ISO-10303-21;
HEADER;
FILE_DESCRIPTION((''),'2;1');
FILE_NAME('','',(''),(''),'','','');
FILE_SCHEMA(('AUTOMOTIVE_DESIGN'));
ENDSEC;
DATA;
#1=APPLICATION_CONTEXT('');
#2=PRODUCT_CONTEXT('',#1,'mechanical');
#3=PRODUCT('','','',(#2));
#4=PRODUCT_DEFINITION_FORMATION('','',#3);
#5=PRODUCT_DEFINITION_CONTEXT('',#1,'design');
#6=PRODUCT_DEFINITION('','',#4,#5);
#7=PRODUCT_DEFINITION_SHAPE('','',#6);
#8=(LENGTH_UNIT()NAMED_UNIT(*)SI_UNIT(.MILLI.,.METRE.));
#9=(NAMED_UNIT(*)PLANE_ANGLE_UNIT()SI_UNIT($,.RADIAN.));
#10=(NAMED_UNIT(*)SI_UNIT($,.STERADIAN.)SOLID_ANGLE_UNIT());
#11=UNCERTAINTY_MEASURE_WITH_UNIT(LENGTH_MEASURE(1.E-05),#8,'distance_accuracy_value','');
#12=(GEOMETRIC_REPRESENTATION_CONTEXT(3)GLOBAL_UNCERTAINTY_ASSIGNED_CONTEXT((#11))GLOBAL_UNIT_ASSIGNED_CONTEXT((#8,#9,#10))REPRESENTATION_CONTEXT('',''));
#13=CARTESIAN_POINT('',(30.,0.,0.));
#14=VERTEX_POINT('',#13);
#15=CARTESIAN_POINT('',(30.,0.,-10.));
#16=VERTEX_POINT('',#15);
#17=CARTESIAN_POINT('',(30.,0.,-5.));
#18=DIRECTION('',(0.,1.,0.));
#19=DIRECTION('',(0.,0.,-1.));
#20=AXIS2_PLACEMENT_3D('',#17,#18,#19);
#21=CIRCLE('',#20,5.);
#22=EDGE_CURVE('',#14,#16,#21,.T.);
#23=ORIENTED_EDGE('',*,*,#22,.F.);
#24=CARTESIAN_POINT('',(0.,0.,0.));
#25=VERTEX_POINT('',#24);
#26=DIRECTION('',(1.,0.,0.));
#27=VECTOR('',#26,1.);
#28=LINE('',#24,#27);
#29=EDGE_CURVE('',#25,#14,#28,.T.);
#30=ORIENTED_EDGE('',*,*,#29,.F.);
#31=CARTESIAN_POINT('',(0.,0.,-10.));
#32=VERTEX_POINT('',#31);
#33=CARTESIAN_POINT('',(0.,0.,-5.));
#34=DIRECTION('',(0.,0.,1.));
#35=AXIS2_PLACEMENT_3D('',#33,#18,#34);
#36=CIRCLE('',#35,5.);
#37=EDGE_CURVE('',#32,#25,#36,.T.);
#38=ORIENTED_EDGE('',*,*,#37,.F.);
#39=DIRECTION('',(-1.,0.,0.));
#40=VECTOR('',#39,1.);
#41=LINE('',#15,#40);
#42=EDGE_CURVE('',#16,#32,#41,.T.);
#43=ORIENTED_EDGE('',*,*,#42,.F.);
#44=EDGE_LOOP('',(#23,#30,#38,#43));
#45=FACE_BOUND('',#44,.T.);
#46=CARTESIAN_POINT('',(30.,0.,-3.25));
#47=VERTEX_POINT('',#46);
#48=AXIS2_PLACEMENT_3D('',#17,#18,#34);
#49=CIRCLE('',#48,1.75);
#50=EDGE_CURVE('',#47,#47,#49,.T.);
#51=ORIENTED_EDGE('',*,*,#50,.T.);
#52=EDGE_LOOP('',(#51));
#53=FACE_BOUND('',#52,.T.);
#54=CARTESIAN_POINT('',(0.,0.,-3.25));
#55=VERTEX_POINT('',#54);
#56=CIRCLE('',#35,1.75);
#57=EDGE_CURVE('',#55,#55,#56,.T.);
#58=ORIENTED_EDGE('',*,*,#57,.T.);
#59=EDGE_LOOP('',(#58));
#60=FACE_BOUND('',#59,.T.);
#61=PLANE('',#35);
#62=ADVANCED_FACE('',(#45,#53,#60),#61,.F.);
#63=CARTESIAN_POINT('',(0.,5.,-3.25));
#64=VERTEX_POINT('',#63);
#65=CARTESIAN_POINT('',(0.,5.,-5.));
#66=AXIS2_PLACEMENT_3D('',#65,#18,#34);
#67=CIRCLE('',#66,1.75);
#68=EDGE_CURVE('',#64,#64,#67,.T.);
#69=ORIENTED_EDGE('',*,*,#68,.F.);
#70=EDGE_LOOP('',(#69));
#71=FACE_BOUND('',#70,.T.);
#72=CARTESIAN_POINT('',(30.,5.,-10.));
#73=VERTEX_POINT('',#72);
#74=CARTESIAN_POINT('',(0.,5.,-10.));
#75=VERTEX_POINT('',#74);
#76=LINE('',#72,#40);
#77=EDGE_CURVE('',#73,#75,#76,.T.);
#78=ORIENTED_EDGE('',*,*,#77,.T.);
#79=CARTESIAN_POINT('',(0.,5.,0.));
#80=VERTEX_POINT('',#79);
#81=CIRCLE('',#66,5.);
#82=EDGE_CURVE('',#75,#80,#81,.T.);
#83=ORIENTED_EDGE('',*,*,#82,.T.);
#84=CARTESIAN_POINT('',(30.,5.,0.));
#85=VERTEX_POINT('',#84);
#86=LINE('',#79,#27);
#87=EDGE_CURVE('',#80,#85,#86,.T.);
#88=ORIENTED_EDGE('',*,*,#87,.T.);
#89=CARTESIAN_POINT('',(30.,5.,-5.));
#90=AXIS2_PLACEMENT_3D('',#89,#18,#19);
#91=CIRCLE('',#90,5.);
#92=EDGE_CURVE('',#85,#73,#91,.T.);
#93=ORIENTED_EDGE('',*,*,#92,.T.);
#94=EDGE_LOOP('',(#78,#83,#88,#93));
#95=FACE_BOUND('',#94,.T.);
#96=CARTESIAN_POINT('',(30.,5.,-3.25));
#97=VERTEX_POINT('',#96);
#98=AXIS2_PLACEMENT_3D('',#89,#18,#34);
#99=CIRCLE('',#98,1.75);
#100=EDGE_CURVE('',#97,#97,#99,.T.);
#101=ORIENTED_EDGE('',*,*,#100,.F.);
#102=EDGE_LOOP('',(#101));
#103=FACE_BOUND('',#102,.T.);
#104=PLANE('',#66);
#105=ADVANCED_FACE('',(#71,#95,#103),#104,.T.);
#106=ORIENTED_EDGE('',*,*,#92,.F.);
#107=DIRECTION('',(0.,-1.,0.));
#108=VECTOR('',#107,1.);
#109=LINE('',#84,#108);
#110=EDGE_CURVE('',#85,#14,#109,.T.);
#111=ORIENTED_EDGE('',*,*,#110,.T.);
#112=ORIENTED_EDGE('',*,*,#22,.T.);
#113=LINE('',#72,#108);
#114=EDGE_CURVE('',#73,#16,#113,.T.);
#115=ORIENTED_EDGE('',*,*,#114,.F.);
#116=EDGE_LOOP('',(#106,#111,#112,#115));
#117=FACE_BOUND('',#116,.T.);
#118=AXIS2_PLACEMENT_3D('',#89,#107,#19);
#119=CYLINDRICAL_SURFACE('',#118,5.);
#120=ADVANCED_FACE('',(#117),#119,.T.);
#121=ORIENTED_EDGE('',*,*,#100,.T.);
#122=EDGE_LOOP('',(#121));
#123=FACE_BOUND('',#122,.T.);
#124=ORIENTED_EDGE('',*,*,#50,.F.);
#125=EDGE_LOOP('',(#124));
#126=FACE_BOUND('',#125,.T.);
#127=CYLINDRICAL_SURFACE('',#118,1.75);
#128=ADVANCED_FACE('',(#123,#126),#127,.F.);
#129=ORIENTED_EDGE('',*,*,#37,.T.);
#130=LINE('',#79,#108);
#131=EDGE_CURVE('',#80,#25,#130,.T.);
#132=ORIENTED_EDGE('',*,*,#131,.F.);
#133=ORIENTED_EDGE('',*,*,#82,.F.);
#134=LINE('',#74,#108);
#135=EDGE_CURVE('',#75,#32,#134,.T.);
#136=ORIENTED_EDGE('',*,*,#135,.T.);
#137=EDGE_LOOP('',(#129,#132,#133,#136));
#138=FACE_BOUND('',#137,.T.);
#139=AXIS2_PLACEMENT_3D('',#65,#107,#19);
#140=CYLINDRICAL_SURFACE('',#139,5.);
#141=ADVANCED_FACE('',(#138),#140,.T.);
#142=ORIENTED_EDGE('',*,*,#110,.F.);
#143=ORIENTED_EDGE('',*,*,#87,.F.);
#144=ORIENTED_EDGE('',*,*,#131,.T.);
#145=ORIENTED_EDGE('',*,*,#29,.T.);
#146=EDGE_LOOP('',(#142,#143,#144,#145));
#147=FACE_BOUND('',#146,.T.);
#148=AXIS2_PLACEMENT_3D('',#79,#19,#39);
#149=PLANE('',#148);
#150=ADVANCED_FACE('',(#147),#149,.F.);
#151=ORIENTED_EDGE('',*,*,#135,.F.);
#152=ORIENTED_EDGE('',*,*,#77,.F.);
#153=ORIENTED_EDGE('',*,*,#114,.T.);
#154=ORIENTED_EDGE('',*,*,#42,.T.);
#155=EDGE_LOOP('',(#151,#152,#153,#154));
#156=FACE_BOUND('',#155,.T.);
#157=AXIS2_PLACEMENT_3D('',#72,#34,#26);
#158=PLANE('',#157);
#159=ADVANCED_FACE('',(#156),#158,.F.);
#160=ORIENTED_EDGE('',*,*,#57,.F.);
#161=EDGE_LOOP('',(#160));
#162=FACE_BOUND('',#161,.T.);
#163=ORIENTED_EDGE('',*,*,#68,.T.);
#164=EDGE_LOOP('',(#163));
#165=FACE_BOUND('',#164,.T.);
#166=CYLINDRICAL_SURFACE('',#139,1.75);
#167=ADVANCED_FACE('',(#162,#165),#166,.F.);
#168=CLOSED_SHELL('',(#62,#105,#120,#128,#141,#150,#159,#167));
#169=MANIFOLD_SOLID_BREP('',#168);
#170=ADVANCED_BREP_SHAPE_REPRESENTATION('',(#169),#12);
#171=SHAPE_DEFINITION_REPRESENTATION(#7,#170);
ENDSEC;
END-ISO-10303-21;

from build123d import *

# Parameters (mm, degrees)
SKETCH1_R           = 1.75
BOSS_EXTRUDE1_DEPTH = 5


with BuildPart() as part:
    # Sketch1 → Boss-Extrude1 (new body)
    with BuildSketch(Plane(origin=(0, 0, 0), x_dir=(1, 0, 0), z_dir=(0, 1, 0))):
        with BuildLine():
            Line((0, 0), (30, 0))
            ThreePointArc((30, 0), (35, 5), (30, 10))
            Line((30, 10), (0, 10))
            ThreePointArc((0, 10), (-5, 5), (0, 0))
        make_face()
        with Locations((0, 5)):
            Circle(SKETCH1_R, mode=Mode.SUBTRACT)
        with Locations((30, 5)):
            Circle(SKETCH1_R, mode=Mode.SUBTRACT)
    extrude(amount=BOSS_EXTRUDE1_DEPTH)


solid = part.part
